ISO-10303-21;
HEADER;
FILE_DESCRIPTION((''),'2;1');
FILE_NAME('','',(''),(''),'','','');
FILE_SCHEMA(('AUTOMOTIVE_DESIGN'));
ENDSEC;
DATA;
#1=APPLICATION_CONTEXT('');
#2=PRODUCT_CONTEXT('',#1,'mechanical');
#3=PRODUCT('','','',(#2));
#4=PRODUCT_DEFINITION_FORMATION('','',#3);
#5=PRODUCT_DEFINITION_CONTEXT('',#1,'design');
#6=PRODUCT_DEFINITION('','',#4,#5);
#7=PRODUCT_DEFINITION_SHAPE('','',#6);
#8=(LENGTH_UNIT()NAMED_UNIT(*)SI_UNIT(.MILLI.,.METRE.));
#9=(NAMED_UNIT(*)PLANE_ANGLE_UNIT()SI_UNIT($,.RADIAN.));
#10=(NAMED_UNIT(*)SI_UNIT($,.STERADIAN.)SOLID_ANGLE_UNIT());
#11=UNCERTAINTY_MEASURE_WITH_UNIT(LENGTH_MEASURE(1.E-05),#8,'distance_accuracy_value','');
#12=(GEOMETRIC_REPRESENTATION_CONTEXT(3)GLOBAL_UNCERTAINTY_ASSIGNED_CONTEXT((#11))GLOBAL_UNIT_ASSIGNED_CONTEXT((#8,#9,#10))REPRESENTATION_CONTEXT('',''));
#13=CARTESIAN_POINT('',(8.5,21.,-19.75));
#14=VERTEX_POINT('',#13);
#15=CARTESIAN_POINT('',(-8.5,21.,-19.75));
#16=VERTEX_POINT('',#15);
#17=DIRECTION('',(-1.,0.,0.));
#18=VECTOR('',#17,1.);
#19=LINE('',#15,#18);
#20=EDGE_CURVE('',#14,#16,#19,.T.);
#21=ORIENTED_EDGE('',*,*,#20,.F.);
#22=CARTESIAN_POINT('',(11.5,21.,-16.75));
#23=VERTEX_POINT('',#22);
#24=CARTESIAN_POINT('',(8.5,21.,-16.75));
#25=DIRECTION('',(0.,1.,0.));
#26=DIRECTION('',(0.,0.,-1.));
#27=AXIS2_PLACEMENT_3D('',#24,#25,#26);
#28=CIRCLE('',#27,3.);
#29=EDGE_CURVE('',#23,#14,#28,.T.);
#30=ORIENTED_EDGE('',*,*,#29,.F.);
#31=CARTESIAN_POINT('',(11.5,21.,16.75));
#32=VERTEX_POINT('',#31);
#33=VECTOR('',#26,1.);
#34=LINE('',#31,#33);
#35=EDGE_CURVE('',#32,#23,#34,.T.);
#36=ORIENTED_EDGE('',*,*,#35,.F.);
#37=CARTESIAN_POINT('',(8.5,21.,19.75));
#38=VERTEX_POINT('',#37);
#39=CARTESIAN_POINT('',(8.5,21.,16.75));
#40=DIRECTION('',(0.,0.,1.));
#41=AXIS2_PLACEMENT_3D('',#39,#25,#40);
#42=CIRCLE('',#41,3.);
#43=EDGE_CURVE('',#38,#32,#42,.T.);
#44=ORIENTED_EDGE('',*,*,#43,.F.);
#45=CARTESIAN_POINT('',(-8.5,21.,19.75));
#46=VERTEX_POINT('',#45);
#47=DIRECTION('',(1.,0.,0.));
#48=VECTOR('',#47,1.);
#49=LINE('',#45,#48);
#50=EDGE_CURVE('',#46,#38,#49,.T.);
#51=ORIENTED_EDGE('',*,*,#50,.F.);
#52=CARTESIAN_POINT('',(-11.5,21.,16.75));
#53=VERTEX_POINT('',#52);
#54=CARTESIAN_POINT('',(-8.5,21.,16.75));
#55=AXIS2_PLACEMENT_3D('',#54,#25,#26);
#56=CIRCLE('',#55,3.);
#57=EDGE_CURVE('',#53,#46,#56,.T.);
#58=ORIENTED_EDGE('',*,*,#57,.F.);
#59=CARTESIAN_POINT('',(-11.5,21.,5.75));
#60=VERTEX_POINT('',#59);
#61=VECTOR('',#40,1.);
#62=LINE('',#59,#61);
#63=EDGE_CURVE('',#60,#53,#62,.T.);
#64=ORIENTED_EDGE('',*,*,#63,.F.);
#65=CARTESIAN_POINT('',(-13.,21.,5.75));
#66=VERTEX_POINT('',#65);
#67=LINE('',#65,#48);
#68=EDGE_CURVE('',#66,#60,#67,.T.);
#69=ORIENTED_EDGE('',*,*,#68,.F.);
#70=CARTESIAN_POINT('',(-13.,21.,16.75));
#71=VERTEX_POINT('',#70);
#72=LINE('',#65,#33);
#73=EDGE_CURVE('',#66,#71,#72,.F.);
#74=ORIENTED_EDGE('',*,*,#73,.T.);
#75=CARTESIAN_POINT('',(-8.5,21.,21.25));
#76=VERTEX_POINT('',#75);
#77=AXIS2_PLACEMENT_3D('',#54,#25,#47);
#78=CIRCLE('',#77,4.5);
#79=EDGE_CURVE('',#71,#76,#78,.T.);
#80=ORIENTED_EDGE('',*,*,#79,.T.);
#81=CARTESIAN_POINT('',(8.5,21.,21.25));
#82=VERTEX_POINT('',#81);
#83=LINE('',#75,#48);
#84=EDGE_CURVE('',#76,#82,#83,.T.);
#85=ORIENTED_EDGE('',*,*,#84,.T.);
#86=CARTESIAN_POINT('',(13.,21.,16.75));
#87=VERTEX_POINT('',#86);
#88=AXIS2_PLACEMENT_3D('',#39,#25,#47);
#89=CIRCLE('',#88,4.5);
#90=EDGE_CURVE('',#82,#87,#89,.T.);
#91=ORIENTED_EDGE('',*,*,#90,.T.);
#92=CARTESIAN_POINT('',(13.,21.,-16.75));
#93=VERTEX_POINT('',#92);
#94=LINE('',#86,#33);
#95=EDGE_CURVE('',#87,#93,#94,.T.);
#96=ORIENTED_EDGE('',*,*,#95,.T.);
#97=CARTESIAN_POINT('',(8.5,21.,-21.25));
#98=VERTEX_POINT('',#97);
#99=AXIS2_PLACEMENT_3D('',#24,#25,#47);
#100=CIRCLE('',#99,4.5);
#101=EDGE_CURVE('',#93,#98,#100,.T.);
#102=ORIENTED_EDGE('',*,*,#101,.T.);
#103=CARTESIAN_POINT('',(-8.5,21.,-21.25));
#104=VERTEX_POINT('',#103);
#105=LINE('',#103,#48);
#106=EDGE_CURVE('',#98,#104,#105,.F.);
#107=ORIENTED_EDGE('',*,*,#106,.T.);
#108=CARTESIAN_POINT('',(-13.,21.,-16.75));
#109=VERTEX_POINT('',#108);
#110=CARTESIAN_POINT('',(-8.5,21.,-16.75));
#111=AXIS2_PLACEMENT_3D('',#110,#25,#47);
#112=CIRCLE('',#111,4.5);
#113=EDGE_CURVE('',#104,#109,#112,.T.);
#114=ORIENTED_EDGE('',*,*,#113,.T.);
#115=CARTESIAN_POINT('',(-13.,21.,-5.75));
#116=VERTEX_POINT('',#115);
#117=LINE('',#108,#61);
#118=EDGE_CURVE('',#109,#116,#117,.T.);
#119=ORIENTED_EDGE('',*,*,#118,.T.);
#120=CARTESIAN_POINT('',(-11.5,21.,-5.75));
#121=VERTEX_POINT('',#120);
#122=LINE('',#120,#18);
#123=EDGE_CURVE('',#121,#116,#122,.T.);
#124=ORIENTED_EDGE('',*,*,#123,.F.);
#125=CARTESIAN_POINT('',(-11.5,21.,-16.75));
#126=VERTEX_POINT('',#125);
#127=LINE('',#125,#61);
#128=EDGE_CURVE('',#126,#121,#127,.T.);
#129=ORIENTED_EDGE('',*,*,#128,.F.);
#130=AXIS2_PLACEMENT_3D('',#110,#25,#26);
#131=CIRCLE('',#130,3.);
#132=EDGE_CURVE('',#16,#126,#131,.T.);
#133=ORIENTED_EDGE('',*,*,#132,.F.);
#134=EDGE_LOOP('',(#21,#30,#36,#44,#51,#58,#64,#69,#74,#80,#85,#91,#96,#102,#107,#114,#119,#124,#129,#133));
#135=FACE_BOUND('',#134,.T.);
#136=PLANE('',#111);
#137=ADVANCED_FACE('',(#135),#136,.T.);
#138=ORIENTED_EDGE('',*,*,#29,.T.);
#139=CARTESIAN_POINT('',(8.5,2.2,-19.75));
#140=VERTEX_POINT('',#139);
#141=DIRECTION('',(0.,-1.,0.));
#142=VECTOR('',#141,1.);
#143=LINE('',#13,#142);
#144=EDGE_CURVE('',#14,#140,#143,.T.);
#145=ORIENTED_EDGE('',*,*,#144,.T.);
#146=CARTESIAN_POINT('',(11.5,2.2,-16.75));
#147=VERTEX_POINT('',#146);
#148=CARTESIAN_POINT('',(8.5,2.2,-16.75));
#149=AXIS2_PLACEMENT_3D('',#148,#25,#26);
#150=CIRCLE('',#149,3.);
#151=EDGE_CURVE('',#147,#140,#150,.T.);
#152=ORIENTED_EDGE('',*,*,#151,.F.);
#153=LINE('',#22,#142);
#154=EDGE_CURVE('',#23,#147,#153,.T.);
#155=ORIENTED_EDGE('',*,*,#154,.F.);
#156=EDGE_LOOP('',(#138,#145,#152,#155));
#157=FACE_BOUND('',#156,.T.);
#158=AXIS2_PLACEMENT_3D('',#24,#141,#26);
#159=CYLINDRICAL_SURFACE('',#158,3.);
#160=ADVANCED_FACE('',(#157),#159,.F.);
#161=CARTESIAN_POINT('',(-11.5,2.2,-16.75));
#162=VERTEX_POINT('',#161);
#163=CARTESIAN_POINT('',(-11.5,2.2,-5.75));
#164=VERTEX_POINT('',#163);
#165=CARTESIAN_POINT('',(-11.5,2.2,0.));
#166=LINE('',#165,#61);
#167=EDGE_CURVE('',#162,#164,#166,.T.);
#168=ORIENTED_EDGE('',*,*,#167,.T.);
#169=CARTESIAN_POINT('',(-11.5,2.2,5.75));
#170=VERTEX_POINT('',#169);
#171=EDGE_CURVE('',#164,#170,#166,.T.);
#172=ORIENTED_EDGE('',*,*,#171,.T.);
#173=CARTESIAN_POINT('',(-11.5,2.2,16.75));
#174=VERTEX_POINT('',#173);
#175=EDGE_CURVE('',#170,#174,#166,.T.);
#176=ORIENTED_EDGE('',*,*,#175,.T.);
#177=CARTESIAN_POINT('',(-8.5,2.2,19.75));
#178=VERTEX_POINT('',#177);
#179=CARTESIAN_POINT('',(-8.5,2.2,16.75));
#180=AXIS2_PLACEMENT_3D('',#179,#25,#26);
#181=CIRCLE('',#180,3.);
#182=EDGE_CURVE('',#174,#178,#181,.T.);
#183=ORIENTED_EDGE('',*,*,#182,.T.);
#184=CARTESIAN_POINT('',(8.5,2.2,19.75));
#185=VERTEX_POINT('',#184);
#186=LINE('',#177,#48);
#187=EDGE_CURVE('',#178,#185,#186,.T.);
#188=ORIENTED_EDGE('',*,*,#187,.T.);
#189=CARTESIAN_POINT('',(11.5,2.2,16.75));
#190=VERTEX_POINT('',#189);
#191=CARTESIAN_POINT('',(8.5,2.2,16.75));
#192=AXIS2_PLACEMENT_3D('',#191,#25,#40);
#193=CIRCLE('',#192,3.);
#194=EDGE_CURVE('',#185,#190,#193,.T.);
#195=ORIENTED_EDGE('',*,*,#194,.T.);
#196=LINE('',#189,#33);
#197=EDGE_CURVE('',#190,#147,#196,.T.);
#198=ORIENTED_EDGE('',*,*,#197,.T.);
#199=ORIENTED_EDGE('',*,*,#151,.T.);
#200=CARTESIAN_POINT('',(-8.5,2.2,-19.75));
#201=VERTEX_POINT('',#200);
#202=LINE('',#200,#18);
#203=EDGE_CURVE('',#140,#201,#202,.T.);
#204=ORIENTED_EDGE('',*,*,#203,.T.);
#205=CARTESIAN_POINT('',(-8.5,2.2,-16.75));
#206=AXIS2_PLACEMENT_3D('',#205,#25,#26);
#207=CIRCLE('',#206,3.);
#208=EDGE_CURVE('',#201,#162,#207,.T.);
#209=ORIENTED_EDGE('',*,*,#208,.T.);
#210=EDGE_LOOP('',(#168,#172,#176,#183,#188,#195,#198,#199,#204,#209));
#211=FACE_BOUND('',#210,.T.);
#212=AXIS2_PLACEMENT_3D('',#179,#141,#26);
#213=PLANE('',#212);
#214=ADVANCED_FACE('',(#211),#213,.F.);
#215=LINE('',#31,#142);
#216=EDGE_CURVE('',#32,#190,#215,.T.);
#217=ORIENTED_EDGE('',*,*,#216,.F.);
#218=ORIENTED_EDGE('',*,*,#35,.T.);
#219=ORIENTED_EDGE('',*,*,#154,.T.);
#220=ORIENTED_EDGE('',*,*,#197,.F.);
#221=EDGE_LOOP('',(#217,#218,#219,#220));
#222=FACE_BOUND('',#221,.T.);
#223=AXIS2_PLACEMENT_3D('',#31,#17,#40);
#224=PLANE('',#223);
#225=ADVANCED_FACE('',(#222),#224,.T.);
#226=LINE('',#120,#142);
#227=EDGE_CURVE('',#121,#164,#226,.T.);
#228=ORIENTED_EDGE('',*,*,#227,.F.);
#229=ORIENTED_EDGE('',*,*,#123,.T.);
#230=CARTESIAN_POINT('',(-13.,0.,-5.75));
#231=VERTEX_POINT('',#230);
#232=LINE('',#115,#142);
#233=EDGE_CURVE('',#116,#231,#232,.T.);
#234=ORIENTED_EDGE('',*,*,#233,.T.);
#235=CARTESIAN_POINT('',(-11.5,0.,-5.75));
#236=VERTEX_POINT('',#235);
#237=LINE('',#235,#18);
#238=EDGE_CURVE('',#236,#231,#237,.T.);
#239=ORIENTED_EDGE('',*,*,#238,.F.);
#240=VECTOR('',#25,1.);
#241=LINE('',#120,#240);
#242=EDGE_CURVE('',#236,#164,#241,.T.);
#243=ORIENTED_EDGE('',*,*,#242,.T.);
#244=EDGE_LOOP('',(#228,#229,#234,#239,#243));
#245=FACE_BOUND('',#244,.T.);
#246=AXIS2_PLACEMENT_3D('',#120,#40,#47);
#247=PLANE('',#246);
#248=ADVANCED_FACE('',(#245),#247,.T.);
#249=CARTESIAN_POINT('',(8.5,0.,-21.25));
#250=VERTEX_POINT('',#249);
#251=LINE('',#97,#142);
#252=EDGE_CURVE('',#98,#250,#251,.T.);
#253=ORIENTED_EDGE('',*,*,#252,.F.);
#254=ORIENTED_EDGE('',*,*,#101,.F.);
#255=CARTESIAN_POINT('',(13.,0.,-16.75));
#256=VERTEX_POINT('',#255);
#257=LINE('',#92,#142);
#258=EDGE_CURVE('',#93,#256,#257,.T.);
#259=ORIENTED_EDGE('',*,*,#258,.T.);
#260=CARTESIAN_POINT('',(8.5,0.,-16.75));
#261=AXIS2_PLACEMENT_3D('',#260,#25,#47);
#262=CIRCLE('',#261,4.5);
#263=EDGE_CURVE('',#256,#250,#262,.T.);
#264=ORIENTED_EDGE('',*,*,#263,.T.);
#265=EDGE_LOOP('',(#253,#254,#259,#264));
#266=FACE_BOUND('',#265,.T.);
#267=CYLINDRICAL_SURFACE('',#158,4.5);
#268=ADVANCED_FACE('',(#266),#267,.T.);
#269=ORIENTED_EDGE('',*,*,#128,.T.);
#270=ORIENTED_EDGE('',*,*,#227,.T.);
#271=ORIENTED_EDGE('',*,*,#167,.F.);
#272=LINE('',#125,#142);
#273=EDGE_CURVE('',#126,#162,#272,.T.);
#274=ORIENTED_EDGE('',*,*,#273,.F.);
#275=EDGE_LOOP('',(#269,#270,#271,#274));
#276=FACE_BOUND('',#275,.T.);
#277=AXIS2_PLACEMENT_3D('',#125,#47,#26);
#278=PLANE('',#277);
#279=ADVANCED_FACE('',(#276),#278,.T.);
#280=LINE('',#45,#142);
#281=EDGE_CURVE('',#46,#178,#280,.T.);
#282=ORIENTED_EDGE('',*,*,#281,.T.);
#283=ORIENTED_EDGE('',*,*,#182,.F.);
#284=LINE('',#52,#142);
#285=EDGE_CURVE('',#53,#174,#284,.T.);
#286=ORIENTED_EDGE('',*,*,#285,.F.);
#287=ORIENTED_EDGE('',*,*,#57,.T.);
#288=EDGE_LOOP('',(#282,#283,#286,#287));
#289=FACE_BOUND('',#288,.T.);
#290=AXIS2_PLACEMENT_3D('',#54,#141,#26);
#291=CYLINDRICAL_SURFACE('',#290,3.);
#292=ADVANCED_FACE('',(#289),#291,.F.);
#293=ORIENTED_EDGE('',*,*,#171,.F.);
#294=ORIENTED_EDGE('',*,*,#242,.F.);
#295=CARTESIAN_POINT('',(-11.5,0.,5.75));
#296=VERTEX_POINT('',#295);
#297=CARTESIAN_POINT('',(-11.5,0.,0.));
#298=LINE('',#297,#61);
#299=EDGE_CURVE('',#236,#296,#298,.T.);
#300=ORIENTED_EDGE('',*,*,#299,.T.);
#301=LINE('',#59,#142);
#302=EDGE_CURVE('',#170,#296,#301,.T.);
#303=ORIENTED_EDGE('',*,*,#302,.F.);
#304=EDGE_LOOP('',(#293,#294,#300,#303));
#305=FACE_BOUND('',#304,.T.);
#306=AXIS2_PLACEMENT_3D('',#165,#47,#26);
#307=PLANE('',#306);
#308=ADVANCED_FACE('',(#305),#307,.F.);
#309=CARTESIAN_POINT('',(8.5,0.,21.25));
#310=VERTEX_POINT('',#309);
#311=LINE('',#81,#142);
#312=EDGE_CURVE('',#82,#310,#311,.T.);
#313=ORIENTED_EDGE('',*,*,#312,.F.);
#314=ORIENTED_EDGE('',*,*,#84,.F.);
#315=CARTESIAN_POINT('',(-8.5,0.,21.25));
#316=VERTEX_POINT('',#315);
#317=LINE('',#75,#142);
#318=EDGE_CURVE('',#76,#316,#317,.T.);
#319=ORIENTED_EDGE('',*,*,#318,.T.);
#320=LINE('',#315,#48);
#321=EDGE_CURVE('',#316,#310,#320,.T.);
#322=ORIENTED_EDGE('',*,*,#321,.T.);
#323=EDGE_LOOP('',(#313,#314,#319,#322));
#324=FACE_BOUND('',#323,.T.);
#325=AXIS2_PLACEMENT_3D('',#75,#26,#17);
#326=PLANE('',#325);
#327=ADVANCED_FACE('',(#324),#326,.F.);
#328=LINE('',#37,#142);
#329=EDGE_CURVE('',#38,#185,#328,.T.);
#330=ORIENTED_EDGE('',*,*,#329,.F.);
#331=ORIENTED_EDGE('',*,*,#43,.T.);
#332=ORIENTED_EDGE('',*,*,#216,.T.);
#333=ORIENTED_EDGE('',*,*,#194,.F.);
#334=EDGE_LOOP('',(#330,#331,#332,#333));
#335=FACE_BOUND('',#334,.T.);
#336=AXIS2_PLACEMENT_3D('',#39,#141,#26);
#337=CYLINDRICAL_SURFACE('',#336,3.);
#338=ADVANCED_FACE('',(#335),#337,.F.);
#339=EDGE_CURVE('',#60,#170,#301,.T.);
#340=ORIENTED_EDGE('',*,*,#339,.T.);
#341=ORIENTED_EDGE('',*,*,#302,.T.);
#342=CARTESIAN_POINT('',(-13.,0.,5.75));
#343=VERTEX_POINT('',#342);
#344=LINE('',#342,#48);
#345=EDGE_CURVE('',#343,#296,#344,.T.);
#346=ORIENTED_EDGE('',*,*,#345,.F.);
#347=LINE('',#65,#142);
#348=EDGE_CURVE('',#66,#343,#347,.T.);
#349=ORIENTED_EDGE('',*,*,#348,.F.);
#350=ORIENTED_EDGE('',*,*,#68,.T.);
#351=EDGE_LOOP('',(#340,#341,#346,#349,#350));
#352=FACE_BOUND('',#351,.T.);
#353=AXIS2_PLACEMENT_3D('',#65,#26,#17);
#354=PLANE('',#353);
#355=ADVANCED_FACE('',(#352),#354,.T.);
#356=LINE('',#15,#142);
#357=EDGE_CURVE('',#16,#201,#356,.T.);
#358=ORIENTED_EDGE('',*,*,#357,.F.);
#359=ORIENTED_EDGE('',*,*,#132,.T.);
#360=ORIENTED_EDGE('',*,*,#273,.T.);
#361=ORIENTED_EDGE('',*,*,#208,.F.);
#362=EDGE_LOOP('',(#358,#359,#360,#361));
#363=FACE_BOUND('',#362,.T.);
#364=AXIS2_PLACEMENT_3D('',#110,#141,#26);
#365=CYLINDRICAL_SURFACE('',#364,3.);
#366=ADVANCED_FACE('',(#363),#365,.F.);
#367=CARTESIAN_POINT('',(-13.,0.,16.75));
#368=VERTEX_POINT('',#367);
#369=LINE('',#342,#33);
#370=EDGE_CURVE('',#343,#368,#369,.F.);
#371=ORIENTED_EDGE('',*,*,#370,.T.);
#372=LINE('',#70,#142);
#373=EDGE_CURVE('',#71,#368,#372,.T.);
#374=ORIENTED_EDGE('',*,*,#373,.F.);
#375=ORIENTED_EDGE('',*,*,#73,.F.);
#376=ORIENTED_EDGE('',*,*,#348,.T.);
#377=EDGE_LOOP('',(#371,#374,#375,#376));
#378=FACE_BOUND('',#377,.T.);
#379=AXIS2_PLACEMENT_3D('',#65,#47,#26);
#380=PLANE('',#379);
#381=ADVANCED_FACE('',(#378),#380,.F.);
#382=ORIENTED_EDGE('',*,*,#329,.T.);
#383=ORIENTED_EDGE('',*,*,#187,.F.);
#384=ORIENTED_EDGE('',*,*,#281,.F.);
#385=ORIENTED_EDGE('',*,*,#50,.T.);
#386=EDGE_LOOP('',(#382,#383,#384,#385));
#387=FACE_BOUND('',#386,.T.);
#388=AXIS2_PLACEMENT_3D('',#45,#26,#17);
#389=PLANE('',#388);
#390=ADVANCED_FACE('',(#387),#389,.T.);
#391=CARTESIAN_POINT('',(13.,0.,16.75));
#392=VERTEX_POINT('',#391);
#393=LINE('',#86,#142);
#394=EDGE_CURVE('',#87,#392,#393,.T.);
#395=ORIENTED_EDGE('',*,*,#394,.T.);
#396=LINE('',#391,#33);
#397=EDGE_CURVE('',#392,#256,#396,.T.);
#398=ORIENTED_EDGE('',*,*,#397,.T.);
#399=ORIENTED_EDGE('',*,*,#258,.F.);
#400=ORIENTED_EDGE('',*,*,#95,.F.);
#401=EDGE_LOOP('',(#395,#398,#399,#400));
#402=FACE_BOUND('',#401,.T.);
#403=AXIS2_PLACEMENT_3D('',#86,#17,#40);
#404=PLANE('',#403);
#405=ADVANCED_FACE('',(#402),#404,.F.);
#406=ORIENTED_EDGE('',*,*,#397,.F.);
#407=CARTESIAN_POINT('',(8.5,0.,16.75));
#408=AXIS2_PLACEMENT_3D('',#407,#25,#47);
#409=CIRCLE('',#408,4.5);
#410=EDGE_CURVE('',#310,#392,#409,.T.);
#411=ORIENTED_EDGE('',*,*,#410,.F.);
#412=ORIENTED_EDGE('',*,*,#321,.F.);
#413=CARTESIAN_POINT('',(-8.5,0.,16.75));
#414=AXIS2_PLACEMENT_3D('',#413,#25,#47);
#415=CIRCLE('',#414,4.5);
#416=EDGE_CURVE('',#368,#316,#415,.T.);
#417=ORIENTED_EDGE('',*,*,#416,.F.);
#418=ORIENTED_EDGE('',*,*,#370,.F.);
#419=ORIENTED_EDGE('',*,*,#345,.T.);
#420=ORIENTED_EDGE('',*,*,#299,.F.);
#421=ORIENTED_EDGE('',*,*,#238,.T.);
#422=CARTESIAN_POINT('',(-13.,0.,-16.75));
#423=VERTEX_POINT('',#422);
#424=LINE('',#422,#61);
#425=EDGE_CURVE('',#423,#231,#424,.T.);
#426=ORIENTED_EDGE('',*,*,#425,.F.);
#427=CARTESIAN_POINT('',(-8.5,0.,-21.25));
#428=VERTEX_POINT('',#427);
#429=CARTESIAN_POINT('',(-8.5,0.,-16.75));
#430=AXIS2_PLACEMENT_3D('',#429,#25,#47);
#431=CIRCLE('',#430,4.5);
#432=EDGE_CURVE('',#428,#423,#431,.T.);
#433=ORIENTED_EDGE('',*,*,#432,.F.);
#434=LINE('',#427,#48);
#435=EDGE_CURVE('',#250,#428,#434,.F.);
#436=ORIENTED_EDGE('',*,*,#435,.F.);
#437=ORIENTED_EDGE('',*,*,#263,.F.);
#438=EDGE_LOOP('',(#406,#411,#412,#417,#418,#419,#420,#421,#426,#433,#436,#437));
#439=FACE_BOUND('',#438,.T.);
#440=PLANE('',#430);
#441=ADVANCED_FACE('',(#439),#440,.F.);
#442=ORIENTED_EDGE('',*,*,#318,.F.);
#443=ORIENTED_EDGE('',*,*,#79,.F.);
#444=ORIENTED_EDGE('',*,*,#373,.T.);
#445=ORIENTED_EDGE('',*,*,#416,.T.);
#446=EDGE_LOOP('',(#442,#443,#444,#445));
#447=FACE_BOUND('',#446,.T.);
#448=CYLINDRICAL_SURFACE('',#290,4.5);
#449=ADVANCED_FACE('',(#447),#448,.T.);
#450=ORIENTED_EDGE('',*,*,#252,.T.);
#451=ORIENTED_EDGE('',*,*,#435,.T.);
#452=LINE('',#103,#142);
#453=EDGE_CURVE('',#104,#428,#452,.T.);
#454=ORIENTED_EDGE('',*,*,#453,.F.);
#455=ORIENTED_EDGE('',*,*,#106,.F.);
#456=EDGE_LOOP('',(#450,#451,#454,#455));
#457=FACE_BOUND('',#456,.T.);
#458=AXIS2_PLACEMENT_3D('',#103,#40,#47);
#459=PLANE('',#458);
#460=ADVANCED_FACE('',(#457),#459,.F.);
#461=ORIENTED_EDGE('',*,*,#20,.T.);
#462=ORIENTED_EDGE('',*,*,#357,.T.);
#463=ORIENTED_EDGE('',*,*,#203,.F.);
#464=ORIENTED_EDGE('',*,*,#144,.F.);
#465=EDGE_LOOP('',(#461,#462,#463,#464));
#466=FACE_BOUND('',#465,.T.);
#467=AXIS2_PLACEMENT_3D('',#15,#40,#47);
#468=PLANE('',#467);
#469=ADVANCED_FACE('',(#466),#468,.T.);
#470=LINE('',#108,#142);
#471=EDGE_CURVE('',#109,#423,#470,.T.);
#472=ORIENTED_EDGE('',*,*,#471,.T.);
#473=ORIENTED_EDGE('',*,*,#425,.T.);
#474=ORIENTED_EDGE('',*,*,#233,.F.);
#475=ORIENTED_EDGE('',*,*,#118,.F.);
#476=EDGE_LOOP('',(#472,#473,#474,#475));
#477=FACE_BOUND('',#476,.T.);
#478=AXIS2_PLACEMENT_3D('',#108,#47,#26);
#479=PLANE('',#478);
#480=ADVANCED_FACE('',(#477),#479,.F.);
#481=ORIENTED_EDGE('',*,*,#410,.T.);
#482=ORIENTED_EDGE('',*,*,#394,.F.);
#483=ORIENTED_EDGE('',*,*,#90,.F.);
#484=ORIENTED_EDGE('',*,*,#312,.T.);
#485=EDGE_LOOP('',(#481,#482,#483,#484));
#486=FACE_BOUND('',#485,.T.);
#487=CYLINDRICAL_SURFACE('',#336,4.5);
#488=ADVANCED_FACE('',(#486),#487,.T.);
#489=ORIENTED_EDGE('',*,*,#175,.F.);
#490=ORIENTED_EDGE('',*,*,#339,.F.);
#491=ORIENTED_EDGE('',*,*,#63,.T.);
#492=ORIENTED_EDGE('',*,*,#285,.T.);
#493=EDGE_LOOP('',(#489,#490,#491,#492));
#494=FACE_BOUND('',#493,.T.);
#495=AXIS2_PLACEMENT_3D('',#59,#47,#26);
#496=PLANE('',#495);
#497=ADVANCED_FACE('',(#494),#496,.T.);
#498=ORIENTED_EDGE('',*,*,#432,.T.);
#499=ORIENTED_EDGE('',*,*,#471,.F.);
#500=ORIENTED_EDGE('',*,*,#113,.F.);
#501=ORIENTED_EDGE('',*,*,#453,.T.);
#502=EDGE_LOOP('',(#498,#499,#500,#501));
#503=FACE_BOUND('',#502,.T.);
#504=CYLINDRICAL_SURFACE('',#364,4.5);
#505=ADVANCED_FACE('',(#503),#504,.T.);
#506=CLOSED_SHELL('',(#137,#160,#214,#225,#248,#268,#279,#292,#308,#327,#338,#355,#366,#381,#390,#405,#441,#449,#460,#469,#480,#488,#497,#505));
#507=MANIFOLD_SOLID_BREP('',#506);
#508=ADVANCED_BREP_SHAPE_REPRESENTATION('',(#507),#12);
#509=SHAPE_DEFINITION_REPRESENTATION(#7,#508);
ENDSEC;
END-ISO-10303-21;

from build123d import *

# Parameters (mm, degrees)
EXTRUDE_1_DEPTH   = 21
EXTRUDE_1_2_DEPTH = 2.2


with BuildPart() as part:
    # 草图2 → Extrude 1 (new body)
    with BuildSketch(Plane(origin=(0, 0, 0), x_dir=(1, 0, 0), z_dir=(0, 1, 0))):
        with BuildLine():
            Line((-11.5, -5.75), (-11.5, -16.75))
            ThreePointArc((-11.5, -16.75), (-10.621320344, -18.871320344), (-8.5, -19.75))
            Line((-8.5, -19.75), (8.5, -19.75))
            ThreePointArc((8.5, -19.75), (10.621320344, -18.871320344), (11.5, -16.75))
            Line((11.5, -16.75), (11.5, 16.75))
            ThreePointArc((11.5, 16.75), (10.621320344, 18.871320344), (8.5, 19.75))
            Line((8.5, 19.75), (-8.5, 19.75))
            ThreePointArc((-8.5, 19.75), (-10.621320344, 18.871320344), (-11.5, 16.75))
            Line((-11.5, 16.75), (-11.5, 5.75))
            Line((-11.5, 5.75), (-13, 5.75))
            Line((-13, 5.75), (-13, 16.75))
            ThreePointArc((-13, 16.75), (-11.681980515, 19.931980515), (-8.5, 21.25))
            Line((-8.5, 21.25), (8.5, 21.25))
            ThreePointArc((8.5, 21.25), (11.681980515, 19.931980515), (13, 16.75))
            Line((13, 16.75), (13, -16.75))
            ThreePointArc((13, -16.75), (11.681980515, -19.931980515), (8.5, -21.25))
            Line((8.5, -21.25), (-8.5, -21.25))
            ThreePointArc((-8.5, -21.25), (-11.681980515, -19.931980515), (-13, -16.75))
            Line((-13, -16.75), (-13, -5.75))
            Line((-13, -5.75), (-11.5, -5.75))
        make_face()
    extrude(amount=EXTRUDE_1_DEPTH)

    # 草图3 → Extrude 1 2 (add)
    with BuildSketch(Plane(origin=(0, 0, 0), x_dir=(1, 0, 0), z_dir=(0, 1, 0))):
        with BuildLine():
            Line((-8.5, -19.75), (8.5, -19.75))
            ThreePointArc((8.5, -19.75), (10.621320344, -18.871320344), (11.5, -16.75))
            Line((11.5, -16.75), (11.5, 16.75))
            ThreePointArc((11.5, 16.75), (10.621320344, 18.871320344), (8.5, 19.75))
            Line((8.5, 19.75), (-8.5, 19.75))
            ThreePointArc((-8.5, 19.75), (-10.621320344, 18.871320344), (-11.5, 16.75))
            Line((-11.5, 16.75), (-11.5, 5.75))
            Line((-11.5, 5.75), (-11.5, 0))
            Line((-11.5, 0), (-11.5, -5.75))
            Line((-11.5, -5.75), (-11.5, -16.75))
            ThreePointArc((-11.5, -16.75), (-10.621320344, -18.871320344), (-8.5, -19.75))
        make_face()
    extrude(amount=EXTRUDE_1_2_DEPTH)


solid = part.part
